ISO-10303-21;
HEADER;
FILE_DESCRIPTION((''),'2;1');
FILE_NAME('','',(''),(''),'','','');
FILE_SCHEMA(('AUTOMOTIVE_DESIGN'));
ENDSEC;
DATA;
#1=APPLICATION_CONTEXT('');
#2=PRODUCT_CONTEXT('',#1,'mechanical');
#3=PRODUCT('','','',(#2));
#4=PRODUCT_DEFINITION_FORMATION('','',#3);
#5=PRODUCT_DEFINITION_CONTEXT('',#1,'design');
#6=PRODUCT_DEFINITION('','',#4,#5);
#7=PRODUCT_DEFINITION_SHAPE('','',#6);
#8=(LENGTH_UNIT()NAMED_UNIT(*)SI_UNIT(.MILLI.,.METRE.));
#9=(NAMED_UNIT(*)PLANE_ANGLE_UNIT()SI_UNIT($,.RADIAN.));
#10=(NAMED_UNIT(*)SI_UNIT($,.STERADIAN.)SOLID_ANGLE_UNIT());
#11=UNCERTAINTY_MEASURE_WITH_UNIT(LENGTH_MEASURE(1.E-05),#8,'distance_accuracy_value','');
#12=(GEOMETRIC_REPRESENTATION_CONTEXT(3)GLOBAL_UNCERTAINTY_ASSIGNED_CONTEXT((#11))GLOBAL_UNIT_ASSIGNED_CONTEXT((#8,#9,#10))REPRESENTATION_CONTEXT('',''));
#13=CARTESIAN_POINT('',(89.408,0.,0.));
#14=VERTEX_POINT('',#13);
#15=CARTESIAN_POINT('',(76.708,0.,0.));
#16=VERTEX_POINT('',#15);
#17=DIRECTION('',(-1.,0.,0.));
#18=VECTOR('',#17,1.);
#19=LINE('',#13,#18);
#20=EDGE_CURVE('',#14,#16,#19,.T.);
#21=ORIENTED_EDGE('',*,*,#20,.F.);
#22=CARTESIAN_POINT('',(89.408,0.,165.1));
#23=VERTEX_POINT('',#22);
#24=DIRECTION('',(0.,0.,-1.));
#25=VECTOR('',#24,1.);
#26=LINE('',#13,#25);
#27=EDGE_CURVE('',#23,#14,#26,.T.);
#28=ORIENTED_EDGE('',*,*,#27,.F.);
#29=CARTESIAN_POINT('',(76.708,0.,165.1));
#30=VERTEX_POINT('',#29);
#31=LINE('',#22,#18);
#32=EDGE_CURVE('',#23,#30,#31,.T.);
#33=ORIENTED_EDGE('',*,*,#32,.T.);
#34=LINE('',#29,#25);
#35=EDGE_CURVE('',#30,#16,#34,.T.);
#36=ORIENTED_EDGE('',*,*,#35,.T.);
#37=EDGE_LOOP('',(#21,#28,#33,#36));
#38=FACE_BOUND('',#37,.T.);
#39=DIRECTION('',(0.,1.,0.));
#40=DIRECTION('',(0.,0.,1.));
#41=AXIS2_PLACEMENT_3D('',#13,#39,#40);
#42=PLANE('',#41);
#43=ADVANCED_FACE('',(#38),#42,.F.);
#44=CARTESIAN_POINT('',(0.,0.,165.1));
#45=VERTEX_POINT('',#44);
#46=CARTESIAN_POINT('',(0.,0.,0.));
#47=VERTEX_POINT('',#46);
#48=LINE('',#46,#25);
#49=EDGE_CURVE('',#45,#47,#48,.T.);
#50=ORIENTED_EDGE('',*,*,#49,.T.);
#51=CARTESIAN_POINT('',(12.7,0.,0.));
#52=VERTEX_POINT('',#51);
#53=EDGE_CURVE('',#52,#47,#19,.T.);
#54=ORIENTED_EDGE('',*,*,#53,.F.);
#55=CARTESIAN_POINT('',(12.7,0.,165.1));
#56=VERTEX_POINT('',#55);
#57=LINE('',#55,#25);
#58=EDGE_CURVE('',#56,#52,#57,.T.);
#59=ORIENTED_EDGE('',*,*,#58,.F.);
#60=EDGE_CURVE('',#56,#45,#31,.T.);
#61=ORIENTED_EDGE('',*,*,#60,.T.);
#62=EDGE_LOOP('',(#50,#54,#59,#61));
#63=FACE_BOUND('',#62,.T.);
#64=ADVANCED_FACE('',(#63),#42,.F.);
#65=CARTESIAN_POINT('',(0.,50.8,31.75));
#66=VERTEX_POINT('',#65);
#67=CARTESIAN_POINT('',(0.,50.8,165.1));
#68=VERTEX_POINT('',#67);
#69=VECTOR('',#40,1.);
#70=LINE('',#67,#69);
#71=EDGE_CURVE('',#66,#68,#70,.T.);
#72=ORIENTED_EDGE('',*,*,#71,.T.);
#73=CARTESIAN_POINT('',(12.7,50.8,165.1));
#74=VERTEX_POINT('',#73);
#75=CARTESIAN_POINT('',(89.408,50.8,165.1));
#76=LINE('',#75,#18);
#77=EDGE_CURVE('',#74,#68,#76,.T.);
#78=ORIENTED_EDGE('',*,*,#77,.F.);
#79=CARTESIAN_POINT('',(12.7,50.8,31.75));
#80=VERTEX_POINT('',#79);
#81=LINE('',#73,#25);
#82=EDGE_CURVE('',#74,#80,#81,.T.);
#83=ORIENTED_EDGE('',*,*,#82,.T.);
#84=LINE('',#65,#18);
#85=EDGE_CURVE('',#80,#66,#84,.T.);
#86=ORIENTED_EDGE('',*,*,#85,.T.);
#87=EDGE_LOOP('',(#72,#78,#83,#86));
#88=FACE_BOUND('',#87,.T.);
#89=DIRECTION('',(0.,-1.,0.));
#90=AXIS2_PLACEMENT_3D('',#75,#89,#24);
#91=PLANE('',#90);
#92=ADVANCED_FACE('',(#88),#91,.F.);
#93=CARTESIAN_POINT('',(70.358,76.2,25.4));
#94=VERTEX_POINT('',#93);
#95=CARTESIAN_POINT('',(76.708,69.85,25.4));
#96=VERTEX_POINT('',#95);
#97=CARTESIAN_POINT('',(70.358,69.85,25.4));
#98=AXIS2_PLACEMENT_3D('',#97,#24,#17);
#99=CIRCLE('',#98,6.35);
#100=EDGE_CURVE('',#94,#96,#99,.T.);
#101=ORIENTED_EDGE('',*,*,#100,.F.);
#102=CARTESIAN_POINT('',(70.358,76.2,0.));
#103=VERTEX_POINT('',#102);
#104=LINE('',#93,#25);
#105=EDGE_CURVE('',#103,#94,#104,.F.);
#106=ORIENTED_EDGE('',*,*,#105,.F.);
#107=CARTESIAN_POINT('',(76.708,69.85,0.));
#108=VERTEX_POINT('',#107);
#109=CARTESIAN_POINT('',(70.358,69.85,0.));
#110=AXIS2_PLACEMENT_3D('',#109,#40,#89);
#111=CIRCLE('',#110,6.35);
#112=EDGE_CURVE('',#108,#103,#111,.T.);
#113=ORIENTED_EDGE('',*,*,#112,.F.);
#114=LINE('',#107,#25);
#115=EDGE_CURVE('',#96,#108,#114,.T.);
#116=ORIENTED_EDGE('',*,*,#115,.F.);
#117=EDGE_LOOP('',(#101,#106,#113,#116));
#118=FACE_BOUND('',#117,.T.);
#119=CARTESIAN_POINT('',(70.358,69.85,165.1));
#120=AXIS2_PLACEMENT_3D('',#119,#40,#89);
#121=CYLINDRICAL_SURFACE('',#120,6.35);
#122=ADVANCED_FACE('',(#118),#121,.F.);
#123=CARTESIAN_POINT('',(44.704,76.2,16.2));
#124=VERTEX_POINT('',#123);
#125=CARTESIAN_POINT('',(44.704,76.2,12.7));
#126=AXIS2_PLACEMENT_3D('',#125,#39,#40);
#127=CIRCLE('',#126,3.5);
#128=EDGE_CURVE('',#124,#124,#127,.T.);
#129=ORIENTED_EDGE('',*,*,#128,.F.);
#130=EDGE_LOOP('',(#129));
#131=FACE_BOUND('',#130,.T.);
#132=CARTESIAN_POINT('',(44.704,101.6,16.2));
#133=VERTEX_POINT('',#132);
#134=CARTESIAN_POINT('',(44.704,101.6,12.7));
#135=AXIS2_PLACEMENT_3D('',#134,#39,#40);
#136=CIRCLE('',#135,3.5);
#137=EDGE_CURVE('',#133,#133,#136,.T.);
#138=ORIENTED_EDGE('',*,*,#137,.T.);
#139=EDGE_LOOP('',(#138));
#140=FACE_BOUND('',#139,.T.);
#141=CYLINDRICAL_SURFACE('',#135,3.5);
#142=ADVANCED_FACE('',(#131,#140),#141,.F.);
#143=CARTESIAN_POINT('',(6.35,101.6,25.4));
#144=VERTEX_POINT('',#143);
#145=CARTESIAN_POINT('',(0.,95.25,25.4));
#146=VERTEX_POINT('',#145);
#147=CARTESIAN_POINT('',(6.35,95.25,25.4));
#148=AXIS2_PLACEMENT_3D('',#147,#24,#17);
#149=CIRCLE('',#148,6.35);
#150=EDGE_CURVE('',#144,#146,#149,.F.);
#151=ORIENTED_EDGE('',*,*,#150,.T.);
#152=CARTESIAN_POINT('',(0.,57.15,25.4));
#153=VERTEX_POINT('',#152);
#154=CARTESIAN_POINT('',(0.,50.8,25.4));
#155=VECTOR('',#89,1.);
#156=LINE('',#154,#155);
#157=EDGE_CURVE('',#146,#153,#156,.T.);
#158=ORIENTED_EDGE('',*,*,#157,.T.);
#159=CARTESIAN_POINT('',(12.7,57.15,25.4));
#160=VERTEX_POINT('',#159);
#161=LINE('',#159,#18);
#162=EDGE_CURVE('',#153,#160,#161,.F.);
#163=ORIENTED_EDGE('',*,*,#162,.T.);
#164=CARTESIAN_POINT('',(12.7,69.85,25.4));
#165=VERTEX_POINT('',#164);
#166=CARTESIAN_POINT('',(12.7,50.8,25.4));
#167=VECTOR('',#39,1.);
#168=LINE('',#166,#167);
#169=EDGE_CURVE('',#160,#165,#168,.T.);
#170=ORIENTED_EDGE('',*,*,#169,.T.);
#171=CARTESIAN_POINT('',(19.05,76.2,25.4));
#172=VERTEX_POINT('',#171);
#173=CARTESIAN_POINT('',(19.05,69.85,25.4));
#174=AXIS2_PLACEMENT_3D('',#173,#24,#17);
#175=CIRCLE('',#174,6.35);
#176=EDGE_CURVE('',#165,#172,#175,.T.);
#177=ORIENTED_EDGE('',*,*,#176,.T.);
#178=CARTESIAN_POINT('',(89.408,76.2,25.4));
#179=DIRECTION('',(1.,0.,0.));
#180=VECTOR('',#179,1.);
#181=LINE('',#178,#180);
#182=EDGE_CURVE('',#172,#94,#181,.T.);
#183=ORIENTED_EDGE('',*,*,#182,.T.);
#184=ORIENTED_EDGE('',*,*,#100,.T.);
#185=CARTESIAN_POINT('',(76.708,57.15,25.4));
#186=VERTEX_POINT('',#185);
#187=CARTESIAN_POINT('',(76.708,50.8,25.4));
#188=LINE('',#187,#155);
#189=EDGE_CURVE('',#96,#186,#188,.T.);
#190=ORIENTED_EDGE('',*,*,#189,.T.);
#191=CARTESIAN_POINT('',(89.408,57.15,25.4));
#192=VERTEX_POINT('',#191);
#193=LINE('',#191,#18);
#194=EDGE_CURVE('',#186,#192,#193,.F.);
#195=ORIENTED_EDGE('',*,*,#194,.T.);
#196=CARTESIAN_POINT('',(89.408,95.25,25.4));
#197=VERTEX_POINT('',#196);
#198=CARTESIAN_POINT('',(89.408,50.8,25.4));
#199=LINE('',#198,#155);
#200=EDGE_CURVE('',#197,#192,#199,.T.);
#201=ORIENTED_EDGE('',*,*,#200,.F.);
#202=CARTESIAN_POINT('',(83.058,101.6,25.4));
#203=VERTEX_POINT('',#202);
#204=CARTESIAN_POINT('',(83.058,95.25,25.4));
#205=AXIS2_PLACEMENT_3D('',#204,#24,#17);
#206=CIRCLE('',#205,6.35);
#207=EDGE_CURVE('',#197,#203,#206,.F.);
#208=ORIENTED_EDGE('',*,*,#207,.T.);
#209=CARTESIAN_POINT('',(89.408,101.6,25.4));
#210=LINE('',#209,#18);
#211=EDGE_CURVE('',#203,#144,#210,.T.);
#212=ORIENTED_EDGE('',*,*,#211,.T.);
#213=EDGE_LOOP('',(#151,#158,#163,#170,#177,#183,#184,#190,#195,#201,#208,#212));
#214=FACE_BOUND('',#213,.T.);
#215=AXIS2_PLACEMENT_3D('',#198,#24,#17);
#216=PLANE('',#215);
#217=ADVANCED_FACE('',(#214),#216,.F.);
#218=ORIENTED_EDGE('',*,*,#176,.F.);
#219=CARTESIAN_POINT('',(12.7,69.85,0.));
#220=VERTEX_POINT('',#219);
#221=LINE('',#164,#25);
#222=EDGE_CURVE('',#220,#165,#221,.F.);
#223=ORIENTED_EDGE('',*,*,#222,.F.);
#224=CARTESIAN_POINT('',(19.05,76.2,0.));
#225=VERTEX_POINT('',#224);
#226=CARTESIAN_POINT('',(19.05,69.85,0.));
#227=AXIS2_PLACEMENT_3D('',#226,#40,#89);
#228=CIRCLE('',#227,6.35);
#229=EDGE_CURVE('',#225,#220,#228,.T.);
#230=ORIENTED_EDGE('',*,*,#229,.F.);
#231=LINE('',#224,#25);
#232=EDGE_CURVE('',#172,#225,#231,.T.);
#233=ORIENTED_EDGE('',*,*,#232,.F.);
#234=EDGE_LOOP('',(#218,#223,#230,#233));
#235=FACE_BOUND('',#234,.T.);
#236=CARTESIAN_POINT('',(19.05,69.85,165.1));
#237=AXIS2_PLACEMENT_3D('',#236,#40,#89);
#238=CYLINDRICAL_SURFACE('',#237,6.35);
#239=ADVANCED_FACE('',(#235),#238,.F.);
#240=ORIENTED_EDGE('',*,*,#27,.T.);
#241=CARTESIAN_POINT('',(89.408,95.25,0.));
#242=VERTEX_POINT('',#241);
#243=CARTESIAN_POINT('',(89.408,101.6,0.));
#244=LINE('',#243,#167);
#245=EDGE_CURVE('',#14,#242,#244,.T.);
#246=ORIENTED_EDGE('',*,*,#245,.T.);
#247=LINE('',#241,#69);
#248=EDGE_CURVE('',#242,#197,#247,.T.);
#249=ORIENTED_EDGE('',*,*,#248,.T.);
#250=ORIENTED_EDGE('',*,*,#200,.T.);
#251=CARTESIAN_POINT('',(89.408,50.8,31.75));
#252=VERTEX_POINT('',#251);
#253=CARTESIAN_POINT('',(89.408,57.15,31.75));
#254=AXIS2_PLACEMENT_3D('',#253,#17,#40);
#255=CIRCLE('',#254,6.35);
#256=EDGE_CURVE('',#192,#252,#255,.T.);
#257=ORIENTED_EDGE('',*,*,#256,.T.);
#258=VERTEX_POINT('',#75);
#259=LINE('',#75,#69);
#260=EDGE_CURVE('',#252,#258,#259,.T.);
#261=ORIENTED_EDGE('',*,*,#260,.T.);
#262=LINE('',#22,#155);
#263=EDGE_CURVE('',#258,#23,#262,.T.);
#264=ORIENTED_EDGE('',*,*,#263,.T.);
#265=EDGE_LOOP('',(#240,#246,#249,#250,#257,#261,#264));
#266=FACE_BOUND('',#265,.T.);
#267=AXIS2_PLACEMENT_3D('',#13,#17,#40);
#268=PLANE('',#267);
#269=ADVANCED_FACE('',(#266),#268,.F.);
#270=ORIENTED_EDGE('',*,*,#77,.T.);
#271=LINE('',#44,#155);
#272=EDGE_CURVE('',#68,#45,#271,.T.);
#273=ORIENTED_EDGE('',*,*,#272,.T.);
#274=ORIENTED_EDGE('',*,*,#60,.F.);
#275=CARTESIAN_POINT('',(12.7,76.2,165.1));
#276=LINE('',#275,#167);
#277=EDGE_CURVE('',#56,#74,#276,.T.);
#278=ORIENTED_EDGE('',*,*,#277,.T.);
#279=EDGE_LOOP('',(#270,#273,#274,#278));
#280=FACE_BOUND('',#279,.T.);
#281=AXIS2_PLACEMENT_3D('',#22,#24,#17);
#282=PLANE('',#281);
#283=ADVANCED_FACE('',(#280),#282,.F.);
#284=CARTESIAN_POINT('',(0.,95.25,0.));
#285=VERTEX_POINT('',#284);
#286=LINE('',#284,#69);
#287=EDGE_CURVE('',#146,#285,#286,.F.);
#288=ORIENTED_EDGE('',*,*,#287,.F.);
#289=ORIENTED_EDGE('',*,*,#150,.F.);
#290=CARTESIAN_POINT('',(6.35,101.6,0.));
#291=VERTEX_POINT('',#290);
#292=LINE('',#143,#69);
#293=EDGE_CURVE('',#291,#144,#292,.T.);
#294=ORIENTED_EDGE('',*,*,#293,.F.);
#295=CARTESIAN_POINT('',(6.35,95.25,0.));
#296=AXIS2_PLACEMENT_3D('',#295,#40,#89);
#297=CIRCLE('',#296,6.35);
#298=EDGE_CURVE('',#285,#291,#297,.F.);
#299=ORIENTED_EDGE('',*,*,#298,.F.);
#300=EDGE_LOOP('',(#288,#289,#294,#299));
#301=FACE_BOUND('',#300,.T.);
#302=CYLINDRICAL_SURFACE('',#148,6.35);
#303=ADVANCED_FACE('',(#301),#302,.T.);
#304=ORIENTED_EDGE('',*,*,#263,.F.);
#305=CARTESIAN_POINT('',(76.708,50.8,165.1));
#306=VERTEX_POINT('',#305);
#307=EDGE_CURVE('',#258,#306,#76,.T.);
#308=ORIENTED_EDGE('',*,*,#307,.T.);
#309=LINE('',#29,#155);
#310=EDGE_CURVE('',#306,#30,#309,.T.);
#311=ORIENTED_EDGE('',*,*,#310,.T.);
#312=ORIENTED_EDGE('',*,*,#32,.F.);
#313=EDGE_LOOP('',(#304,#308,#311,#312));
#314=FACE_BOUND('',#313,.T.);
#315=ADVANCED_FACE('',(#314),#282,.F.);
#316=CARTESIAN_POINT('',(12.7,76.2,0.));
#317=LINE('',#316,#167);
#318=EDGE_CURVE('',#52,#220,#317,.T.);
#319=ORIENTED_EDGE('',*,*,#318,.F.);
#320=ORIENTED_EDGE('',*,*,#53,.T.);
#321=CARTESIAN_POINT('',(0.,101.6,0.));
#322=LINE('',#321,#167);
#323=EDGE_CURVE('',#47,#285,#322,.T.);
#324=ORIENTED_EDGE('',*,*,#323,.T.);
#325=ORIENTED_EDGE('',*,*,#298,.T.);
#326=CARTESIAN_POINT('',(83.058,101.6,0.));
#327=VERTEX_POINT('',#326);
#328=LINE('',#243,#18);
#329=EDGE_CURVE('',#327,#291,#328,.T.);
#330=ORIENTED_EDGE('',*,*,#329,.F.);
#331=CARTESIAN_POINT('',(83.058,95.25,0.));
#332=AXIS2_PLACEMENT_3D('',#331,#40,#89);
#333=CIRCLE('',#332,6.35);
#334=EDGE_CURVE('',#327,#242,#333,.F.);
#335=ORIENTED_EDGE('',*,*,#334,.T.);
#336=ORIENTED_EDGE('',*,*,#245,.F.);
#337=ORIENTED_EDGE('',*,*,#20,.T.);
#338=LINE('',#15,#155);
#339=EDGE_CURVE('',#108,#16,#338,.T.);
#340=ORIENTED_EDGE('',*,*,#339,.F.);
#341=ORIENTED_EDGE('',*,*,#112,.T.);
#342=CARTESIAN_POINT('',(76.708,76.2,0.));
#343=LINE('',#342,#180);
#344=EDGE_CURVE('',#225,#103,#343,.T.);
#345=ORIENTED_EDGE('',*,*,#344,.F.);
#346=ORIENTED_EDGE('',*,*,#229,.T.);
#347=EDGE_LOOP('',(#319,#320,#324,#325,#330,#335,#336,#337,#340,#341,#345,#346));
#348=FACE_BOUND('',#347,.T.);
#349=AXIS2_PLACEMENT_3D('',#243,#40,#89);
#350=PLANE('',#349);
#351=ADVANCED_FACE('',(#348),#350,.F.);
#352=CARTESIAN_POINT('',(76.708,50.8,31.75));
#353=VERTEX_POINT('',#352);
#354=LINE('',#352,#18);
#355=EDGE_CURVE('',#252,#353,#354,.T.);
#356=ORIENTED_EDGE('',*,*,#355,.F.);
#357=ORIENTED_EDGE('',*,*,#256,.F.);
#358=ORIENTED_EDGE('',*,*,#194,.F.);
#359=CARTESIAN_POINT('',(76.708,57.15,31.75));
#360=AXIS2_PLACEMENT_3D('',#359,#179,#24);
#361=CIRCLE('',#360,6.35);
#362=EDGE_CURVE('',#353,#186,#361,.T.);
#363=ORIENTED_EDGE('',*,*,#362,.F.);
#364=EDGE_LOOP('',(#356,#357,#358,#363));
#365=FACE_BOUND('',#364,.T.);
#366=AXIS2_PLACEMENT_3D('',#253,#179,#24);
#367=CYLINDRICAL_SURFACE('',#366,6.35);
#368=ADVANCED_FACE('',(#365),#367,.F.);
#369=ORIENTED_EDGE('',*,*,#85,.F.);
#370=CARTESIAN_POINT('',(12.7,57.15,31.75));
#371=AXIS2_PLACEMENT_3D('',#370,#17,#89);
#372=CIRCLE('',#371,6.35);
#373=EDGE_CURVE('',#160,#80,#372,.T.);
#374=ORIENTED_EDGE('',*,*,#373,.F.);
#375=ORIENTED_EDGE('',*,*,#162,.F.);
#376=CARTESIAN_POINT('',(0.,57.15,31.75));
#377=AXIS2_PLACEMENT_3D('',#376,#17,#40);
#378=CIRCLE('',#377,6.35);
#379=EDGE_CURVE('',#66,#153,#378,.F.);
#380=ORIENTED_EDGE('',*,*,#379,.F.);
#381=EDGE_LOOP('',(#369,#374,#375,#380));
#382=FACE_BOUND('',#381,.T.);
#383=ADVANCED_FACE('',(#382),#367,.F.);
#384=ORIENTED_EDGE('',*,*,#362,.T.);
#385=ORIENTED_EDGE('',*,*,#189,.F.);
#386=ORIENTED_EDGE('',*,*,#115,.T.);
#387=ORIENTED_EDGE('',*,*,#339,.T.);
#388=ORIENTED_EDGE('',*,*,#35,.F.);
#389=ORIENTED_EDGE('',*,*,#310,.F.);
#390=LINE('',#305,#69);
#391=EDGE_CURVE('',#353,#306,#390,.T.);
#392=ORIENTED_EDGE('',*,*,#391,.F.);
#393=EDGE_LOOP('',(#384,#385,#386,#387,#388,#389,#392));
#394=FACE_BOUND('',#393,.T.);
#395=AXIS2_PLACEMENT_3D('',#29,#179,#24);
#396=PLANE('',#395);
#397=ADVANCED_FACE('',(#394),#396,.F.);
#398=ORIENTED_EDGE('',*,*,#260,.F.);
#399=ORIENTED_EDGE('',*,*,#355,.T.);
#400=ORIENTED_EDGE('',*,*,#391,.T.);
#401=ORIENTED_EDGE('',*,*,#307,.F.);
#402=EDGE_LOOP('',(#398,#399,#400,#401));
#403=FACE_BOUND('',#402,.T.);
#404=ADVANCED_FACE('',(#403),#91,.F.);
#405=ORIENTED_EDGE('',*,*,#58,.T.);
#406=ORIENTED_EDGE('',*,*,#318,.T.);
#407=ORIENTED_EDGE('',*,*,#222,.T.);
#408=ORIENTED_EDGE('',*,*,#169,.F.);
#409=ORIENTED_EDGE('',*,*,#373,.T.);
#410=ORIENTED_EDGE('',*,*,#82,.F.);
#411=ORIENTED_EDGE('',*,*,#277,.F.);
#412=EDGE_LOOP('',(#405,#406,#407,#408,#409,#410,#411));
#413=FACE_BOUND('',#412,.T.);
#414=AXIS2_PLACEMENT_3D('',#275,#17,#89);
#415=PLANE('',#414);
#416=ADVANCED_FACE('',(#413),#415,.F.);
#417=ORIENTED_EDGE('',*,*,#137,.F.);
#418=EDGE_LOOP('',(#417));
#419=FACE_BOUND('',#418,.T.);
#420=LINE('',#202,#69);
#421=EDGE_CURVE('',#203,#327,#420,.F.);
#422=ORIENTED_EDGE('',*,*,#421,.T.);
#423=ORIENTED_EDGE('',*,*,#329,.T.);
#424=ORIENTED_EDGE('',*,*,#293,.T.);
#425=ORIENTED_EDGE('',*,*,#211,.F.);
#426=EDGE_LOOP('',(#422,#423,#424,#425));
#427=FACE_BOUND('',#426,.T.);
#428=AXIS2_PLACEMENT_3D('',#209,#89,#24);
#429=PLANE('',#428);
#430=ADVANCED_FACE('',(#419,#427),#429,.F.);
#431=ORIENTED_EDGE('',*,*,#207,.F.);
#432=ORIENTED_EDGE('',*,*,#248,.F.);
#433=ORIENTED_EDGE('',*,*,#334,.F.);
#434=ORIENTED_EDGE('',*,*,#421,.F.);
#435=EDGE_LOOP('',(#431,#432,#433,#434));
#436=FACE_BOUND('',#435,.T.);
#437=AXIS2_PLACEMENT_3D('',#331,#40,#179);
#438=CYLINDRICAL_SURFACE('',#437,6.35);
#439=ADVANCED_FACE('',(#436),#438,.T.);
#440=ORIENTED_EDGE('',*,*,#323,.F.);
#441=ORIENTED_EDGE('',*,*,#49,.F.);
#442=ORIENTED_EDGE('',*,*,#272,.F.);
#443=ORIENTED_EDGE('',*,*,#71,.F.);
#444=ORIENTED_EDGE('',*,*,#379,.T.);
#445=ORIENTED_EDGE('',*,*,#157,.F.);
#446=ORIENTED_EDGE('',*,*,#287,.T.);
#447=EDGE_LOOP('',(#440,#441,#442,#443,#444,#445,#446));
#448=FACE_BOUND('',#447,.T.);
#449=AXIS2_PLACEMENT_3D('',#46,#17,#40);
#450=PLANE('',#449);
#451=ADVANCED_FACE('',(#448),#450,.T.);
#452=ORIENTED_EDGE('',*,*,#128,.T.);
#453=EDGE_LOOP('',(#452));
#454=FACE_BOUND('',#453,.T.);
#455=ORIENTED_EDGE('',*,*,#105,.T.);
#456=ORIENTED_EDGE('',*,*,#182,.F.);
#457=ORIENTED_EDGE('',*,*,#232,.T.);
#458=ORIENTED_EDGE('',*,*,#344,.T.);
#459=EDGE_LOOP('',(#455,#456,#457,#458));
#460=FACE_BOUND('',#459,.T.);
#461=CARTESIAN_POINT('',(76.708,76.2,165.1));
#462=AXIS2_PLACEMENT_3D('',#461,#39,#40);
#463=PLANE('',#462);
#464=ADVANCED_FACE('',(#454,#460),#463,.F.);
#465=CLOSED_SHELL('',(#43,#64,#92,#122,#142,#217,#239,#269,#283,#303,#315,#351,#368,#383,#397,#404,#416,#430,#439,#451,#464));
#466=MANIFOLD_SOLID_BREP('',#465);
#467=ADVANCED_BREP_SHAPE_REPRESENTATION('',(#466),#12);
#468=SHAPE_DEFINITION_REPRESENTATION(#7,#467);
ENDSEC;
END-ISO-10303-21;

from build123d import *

# Parameters (mm, degrees)
BOSS_EXTRUDE1_DEPTH   = 89.408
SKETCH2_W             = 64.008
SKETCH2_H             = 76.2
CUT_EXTRUDE1_DEPTH    = 214.481522535
F_7_0MM_DOWEL_HOLE1_D = 7
FILLET1_R             = 6.35


with BuildPart() as part:
    # Sketch1 → Boss-Extrude1 (new body)
    with BuildSketch(Plane(origin=(0, 0, 0), x_dir=(0, 0, -1), z_dir=(1, 0, 0))):
        Polygon((0, 0), (-165.1, 0), (-165.1, 50.8), (-25.4, 50.8), (-25.4, 101.6), (0, 101.6), align=None)
    extrude(amount=BOSS_EXTRUDE1_DEPTH)

    # Sketch2 → Cut-Extrude1 (cut, through all)
    with BuildSketch(Plane(origin=(0, 0, 0), x_dir=(-1, 0, 0), z_dir=(0, 0, -1))):
        with Locations((-44.704, 38.1)):
            Rectangle(SKETCH2_W, SKETCH2_H)
    extrude(amount=-CUT_EXTRUDE1_DEPTH, mode=Mode.SUBTRACT)

    # Ø7.0mm Dowel Hole1 (through all)
    with Locations(Plane(origin=(0, 101.6, 0), x_dir=(1, 0, 0), z_dir=(0, 1, 0))):
        with Locations((44.704, -12.7)):
            Hole(F_7_0MM_DOWEL_HOLE1_D / 2)

    # Fillet1
    fillet1_edges = [part.edges().sort_by_distance(p)[0] for p in [
        (83.058, 50.8, 25.4),
        (6.35, 50.8, 25.4),
        (76.708, 76.2, 12.7),
        (12.7, 76.2, 12.7),
        (0, 101.6, 12.7),
        (89.408, 101.6, 12.7),
    ]]
    fillet(fillet1_edges, radius=FILLET1_R)


solid = part.part
